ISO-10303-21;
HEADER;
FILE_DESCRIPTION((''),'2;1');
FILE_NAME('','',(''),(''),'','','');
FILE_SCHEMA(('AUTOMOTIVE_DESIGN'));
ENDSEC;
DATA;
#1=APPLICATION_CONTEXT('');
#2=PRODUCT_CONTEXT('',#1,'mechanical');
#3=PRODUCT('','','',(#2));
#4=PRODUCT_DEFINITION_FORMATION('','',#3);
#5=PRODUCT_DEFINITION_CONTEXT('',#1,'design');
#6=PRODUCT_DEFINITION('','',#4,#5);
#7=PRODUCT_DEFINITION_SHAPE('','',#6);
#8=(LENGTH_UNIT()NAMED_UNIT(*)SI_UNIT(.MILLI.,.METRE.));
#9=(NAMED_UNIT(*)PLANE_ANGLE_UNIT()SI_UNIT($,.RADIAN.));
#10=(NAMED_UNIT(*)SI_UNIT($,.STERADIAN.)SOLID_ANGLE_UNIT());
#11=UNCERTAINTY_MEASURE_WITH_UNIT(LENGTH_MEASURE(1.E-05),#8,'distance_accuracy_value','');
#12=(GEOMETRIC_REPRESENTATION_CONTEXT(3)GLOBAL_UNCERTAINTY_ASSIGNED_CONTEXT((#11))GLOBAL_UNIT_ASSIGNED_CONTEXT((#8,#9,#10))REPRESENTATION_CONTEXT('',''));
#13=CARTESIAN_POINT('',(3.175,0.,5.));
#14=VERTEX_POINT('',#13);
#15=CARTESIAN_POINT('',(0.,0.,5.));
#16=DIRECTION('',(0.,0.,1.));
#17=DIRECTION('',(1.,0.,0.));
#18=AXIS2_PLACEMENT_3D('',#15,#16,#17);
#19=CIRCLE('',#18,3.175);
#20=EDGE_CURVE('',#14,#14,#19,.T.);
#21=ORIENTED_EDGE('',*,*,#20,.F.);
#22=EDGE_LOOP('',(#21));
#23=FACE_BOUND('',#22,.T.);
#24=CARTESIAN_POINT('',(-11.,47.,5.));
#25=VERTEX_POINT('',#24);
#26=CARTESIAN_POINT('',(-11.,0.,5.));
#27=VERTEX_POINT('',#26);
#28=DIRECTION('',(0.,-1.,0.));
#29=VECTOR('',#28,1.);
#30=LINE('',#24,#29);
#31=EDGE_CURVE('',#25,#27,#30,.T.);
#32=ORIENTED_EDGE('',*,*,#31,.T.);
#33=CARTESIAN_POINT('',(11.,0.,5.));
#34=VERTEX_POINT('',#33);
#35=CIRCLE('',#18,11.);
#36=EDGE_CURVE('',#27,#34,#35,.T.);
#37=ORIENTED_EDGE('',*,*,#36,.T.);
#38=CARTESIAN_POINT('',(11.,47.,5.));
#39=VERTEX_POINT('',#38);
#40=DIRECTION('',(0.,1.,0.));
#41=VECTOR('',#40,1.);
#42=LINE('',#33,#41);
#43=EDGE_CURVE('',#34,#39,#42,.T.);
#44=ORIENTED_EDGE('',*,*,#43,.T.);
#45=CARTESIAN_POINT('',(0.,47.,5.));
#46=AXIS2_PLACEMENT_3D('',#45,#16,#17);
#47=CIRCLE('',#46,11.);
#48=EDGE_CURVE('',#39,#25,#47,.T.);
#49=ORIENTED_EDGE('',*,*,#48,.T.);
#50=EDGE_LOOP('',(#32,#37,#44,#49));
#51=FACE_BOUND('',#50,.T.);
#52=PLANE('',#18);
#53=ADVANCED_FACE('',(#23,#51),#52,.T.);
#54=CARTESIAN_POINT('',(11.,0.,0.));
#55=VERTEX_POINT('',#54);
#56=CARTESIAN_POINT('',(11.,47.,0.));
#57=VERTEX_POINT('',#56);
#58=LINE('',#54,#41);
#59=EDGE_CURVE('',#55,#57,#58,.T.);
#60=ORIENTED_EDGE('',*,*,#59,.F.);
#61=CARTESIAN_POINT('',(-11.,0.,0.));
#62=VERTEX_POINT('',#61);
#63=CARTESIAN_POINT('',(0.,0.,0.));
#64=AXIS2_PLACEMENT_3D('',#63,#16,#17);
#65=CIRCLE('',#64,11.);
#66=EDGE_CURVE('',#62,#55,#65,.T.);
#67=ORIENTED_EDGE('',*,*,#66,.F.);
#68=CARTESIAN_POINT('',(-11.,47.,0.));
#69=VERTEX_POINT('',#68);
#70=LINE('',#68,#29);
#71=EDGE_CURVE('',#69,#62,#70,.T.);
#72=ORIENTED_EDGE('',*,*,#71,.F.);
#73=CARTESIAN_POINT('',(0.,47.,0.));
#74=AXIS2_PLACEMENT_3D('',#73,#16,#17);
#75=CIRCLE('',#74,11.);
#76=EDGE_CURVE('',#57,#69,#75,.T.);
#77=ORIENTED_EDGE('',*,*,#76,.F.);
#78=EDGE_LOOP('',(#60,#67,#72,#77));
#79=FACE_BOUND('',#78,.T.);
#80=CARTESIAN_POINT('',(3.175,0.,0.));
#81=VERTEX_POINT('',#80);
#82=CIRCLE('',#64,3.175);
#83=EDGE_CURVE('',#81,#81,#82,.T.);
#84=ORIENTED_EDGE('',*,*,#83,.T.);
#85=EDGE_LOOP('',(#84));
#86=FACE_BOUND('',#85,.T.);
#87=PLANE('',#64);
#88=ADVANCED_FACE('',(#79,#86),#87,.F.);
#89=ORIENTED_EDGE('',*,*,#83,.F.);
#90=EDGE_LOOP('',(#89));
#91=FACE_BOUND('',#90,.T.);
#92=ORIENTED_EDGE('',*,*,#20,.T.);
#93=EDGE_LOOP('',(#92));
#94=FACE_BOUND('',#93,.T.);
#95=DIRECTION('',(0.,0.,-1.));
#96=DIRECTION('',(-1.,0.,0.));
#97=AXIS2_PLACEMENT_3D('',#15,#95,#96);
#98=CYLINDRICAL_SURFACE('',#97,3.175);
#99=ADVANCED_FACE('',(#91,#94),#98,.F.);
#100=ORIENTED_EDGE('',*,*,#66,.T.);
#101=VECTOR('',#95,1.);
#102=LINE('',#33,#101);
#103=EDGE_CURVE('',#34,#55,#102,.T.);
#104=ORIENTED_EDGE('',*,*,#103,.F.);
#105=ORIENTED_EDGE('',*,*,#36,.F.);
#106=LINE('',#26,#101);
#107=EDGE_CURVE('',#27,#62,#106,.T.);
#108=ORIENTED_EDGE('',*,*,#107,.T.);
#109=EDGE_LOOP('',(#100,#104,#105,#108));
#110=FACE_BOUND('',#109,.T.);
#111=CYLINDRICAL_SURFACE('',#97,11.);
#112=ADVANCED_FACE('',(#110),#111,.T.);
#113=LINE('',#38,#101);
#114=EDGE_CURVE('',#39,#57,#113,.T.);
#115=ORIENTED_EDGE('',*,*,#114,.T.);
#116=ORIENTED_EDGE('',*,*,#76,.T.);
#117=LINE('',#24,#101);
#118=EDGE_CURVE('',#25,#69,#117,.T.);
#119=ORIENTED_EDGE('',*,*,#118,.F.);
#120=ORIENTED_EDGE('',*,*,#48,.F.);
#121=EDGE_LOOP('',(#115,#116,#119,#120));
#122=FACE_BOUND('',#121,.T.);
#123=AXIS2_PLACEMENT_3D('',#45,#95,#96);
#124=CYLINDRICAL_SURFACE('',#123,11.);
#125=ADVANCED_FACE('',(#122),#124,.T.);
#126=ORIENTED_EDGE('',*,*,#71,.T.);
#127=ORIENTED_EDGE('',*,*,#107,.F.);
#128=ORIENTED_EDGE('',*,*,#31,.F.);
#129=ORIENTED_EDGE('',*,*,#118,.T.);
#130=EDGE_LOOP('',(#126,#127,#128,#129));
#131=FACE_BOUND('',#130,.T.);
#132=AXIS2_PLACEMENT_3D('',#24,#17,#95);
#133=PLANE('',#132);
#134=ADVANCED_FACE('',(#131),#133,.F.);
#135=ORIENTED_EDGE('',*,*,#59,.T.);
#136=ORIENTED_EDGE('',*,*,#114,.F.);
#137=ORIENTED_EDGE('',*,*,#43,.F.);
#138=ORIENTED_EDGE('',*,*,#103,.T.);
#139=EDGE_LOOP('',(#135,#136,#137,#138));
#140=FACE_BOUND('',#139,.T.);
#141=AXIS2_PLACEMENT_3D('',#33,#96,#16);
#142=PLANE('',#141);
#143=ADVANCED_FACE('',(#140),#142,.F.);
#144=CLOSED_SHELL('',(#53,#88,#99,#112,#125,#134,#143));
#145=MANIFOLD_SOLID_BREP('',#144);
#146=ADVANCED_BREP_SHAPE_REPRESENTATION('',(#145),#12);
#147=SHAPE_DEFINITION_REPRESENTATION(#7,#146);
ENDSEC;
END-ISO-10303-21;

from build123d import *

# Parameters (mm, degrees)
SKETCH1_R           = 3.175
BOSS_EXTRUDE1_DEPTH = 5


with BuildPart() as part:
    # Sketch1 → Boss-Extrude1 (new body)
    with BuildSketch(Plane.XY):
        with BuildLine():
            Line((11, 0), (11, 47))
            ThreePointArc((11, 47), (0, 58), (-11, 47))
            Line((-11, 47), (-11, 0))
            ThreePointArc((-11, 0), (0, -11), (11, 0))
        make_face()
        Circle(SKETCH1_R, mode=Mode.SUBTRACT)
    extrude(amount=BOSS_EXTRUDE1_DEPTH)


solid = part.part
